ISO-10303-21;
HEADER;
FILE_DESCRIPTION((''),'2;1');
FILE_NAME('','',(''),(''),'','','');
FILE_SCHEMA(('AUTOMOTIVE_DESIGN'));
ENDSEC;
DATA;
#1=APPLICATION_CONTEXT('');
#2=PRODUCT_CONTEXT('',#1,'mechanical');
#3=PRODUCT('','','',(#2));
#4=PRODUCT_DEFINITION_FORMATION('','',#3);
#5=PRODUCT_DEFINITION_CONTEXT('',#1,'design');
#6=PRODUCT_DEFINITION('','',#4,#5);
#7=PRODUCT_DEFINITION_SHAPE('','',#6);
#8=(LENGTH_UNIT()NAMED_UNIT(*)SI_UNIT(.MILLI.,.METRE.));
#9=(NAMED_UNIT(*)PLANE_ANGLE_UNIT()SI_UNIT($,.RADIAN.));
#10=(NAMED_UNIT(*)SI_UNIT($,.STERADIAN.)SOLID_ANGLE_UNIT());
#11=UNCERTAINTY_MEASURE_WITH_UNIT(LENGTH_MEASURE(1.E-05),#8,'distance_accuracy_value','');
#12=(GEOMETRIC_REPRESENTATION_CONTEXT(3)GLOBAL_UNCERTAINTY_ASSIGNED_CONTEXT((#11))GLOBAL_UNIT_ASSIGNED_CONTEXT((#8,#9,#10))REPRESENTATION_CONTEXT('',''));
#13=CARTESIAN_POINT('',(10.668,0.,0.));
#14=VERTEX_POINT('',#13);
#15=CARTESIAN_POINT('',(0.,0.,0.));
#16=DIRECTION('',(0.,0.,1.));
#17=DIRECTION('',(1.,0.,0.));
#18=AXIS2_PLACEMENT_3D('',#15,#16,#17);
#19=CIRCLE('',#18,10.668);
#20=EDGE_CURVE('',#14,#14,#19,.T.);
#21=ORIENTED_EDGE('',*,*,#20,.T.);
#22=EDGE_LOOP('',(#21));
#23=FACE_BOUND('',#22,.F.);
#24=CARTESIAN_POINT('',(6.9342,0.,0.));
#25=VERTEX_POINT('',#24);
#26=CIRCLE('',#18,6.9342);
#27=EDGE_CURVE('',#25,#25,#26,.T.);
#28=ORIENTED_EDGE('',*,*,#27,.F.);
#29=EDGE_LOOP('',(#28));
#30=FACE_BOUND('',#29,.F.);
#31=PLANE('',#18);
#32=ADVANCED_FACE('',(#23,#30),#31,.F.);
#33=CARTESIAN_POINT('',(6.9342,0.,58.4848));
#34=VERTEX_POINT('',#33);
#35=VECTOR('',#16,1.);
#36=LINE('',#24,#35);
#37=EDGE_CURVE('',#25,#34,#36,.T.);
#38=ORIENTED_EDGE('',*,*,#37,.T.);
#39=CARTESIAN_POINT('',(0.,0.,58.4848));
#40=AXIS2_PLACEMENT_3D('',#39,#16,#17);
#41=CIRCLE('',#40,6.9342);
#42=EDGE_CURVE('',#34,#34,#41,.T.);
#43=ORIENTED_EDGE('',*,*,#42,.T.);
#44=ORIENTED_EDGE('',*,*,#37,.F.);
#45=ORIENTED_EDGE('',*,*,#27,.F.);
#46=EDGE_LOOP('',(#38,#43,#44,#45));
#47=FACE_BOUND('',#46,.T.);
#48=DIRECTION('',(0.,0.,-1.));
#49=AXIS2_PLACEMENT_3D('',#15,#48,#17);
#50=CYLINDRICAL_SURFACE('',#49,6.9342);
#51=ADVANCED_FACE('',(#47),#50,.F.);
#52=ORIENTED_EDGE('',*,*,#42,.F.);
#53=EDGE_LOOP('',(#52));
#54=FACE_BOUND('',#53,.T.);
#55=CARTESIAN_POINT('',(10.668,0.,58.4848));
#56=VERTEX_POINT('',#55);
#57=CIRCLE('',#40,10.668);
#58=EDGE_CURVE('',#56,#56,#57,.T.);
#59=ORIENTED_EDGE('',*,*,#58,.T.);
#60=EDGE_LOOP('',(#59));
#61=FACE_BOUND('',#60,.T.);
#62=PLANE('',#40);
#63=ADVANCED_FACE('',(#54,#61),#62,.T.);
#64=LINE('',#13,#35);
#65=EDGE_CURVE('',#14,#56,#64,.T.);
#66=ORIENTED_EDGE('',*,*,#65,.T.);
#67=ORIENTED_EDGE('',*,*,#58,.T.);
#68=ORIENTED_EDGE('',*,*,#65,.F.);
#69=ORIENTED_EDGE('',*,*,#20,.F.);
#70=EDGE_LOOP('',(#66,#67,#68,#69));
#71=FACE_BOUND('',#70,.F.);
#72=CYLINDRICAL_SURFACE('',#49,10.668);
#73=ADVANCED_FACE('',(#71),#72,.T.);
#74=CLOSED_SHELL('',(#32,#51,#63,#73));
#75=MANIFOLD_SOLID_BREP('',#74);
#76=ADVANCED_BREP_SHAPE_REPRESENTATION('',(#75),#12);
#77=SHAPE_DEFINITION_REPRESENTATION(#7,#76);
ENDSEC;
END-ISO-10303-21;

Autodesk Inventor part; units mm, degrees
ref_plane "YZ Plane" through (0, 0, 0) normal (1, 0, 0) x (0, 1, 0)
ref_plane "Start Plane" through (0, 0, 0) normal (0, 0, 1) x (1, 0, 0)
ref_plane "End Plane" through (0, 0, 58.4848) normal (0, 0, 1) x (1, 0, 0)
sketch "Sketch" plane through (0, 0, 0) normal (0, 0, 1) x (1, 0, 0)
  circle A0 centre (0, 0) radius 6.9342
  circle A1 centre (0, 0) radius 10.668
  dimension "d0" = 21.336
  dimension "d1" = 3.7338
extrude "Body" add sketch "Sketch" along normal up to surface (58.4848 mm away) from surface at 0
sketch "Sketch3" plane through (0, 0, 0) normal (0, 0, 1) x (1, 0, 0)
  line L0 (0, 0) -> (10, 0)
ref_plane "Work Plane3" through (0, 0, 0) normal (0, -1, 0) x (1, 0, 0)
sketch "Sketch4" plane through (0, 0, 0) normal (0, -1, 0) x (1, 0, 0)
  line L0 (-2, 0) -> (12, 0) projected
  line L1 (-2, 58.4848) -> (12, 58.4848) projected
  dimension "d7" = 58.4848
equation "\"d0\" = G_H"
equation "\"d1\" = G_T"
equation "\"d2\" = G_L"
equation "\"G_H\" = 21.336"
equation "\"G_T\" = 3.7338"
equation "\"G_L\" = d7"
equation "\"G_OFFSET_START\" = 0"
equation "\"G_OFFSET_END\" = 0"
equation "\"d5\" = G_OFFSET_END + B_L"
equation "\"B_L\" = 58.4848"
properties part number "ANSI - 1/2 x 0.147 - 2.303" material "Steel, Mild"
